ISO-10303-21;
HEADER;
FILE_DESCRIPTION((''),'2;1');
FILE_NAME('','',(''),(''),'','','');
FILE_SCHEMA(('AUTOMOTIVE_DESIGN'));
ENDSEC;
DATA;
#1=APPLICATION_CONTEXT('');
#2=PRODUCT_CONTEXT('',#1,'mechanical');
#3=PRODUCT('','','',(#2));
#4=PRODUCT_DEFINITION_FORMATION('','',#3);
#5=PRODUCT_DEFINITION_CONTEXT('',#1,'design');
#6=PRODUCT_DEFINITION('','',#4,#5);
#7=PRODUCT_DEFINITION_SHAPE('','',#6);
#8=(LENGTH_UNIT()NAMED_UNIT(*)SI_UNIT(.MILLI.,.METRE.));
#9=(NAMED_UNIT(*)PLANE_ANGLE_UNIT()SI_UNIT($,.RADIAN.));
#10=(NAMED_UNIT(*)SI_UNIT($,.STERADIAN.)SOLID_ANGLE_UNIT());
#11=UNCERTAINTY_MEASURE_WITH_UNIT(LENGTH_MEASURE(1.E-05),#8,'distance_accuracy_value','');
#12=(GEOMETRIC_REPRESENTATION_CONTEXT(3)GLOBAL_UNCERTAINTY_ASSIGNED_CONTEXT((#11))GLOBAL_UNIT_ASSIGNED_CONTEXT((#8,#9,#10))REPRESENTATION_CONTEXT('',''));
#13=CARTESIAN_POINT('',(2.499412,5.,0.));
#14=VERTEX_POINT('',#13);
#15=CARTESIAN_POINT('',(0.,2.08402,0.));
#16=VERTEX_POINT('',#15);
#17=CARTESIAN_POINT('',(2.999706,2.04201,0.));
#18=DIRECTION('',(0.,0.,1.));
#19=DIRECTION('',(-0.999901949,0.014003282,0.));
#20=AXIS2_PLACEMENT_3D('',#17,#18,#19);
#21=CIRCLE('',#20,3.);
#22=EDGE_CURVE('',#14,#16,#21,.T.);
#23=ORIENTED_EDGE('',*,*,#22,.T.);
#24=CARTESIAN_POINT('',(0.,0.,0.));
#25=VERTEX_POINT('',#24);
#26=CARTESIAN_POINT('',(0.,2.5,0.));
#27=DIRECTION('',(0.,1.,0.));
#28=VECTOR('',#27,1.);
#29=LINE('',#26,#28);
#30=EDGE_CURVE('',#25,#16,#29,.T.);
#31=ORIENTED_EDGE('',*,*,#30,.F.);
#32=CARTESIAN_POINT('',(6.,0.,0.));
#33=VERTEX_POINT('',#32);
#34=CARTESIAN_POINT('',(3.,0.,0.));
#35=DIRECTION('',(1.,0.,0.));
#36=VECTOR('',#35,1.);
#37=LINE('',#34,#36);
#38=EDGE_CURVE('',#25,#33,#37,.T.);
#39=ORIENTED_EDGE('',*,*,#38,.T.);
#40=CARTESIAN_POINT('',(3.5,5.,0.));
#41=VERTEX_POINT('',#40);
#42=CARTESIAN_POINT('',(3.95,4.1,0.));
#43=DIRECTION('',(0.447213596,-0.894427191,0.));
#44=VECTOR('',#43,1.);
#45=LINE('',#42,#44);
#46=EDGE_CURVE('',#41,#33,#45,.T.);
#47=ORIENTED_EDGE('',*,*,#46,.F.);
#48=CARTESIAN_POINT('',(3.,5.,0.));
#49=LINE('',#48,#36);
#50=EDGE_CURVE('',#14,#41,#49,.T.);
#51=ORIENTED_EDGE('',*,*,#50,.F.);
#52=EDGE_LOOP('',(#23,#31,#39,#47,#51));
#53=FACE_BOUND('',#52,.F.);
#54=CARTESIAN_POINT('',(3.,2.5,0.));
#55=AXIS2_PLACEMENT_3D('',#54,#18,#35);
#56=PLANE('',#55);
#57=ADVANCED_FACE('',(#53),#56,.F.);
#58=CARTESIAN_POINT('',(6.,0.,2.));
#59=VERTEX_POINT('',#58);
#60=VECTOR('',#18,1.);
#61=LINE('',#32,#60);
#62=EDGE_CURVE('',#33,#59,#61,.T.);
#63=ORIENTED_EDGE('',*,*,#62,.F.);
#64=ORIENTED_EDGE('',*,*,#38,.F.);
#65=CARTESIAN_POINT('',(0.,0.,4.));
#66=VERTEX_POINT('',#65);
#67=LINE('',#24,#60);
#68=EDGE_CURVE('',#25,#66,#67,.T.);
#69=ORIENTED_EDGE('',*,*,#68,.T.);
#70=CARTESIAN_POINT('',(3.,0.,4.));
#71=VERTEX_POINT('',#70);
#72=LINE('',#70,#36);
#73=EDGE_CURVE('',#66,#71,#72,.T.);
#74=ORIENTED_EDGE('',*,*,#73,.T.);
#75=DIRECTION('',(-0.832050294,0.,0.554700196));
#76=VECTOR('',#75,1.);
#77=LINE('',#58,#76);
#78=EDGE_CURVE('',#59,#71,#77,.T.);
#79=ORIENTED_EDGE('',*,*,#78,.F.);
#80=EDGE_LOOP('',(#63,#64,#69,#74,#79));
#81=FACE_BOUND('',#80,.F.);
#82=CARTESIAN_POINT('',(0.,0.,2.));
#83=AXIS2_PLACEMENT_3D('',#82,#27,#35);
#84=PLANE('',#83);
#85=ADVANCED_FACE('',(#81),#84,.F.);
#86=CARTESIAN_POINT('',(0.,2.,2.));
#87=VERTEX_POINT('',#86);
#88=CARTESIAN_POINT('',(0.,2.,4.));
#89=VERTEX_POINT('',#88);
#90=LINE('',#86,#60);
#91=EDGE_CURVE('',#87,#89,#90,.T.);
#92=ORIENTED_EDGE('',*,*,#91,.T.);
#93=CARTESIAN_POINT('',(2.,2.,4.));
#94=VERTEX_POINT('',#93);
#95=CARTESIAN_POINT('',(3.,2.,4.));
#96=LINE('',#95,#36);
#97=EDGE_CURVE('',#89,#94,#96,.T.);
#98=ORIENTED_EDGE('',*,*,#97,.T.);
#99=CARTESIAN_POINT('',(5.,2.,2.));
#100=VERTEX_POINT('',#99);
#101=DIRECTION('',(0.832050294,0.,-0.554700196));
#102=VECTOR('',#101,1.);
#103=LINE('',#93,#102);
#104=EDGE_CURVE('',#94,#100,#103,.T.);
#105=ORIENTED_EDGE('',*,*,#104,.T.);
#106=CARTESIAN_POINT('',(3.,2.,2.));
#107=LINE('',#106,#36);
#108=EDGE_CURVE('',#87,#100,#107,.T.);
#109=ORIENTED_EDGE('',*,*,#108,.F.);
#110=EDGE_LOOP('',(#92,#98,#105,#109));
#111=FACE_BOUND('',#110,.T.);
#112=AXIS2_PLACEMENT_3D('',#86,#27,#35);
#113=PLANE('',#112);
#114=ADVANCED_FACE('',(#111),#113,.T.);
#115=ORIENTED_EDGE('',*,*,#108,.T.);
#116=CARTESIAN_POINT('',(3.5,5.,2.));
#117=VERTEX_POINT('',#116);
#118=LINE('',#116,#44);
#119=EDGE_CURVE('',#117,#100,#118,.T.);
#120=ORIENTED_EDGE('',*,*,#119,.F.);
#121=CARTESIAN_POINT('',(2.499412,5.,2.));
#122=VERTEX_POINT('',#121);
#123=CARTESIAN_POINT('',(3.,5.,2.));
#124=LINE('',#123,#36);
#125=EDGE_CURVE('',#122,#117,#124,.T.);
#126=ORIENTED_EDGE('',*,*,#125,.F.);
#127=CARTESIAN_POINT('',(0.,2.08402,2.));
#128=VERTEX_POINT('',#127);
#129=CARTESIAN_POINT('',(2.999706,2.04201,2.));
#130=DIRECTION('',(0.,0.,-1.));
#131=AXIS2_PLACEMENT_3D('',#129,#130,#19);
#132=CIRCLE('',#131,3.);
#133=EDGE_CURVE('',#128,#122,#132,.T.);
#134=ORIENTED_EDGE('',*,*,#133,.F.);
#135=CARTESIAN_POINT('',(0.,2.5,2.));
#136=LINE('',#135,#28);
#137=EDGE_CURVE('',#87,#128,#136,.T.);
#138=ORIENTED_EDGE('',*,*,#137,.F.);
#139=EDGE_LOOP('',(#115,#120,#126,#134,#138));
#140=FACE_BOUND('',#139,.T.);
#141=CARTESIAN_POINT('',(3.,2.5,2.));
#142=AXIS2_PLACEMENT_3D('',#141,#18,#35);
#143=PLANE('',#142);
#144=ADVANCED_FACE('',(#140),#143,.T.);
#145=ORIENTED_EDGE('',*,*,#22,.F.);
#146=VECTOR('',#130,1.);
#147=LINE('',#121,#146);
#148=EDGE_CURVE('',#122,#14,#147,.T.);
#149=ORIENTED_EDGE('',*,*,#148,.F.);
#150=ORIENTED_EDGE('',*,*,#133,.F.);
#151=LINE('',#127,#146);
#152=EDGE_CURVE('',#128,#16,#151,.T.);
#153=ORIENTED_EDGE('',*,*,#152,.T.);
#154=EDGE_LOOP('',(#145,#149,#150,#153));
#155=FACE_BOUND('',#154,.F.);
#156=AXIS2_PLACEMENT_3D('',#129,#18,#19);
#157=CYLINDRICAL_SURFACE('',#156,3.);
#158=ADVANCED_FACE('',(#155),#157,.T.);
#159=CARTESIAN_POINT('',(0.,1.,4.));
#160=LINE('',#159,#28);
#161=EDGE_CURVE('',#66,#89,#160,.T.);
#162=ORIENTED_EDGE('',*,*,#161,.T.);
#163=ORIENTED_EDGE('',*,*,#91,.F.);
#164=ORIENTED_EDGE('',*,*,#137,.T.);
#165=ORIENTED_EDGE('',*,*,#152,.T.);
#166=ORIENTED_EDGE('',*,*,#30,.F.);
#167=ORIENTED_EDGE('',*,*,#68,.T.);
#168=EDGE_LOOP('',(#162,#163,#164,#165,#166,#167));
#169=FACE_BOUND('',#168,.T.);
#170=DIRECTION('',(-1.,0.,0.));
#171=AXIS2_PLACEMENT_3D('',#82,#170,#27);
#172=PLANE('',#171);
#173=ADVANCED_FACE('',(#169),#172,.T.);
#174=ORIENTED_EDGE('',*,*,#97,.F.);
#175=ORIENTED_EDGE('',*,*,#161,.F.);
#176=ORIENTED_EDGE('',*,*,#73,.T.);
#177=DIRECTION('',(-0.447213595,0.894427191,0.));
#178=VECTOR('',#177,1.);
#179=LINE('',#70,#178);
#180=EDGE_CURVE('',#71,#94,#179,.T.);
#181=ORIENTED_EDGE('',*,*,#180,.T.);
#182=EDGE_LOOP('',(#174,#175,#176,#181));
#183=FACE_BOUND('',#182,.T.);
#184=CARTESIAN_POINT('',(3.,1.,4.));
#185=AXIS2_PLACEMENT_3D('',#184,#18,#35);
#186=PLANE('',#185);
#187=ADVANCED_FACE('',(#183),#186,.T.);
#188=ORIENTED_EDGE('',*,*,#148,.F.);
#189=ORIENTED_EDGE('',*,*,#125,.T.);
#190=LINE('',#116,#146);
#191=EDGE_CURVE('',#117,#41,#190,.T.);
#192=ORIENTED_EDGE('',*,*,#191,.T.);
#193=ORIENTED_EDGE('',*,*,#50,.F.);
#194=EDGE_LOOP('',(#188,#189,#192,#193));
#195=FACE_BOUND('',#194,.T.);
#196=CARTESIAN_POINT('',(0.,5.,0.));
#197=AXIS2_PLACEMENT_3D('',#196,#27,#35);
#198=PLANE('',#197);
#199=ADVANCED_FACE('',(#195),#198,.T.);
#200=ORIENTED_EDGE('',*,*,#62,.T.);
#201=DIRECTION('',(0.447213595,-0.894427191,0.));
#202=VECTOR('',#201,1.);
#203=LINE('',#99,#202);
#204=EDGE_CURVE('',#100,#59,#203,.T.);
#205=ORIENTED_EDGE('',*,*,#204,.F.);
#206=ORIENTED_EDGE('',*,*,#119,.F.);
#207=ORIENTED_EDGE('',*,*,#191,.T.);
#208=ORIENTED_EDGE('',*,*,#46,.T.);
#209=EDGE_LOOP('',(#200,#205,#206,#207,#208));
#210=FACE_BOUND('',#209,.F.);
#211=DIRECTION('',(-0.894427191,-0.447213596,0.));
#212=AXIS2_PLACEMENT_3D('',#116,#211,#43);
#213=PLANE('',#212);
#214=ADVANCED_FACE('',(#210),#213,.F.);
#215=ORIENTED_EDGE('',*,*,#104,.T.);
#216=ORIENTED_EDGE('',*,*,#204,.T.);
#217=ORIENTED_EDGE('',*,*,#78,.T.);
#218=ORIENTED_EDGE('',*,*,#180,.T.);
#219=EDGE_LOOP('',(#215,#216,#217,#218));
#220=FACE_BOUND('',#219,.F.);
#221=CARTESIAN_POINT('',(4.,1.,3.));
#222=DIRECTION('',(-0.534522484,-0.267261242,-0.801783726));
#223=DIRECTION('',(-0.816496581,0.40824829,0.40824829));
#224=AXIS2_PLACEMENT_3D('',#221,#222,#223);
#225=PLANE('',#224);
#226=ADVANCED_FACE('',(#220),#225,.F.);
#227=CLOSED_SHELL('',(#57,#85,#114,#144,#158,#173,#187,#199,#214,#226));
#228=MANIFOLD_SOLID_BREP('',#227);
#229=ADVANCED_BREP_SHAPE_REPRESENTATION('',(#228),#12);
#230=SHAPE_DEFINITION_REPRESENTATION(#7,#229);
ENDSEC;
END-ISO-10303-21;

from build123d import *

# Parameters (mm, degrees)
SKETCH1_W           = 6
SKETCH1_H           = 5
BOSS_EXTRUDE1_DEPTH = 2
SKETCH2_W           = 6
SKETCH2_H           = 2
BOSS_EXTRUDE2_DEPTH = 2
CUT_EXTRUDE1_DEPTH  = 10
CUT_EXTRUDE2_DEPTH  = 10
CUT_EXTRUDE3_DEPTH  = 10


with BuildPart() as part:
    # Sketch1 → Boss-Extrude1 (new body)
    with BuildSketch(Plane.XY):
        with Locations((3, 2.5)):
            Rectangle(SKETCH1_W, SKETCH1_H)
    extrude(amount=BOSS_EXTRUDE1_DEPTH)

    # Sketch2 → Boss-Extrude2 (add)
    with BuildSketch(Plane.XY.offset(2)):
        with Locations((3, 1)):
            Rectangle(SKETCH2_W, SKETCH2_H)
    extrude(amount=BOSS_EXTRUDE2_DEPTH)

    # 3DSketch1 → Cut-Extrude1 (cut, along a direction that is not the sketch's normal)
    with BuildSketch(Plane(origin=(6, 0, 2), x_dir=(-0.816496580927726, 0.4082482904638629, 0.40824829046386285), z_dir=(-0.5345224838248487, -0.26726124191242434, -0.8017837257372732))):
        Polygon((0, 0), (3.265986324, -1.527525232), (4.898979486, 0), (1.632993162, 1.527525232), align=None)
    extrude(amount=-CUT_EXTRUDE1_DEPTH, dir=(-1, 0, 0), mode=Mode.SUBTRACT)

    # Sketch3 → Cut-Extrude2 (cut)
    with BuildSketch(Plane.XY.offset(2)):
        Polygon((6, 0), (5, 2), (3.5, 5), (6, 5), align=None)
    extrude(amount=-CUT_EXTRUDE2_DEPTH, mode=Mode.SUBTRACT)

    # Sketch4 → Cut-Extrude3 (cut)
    with BuildSketch(Plane.XY.offset(2)):
        with BuildLine():
            ThreePointArc((0, 2.084019689), (0.721936041, 3.994383965), (2.499411695, 5))
            Line((2.499411695, 5), (0, 5))
            Line((0, 5), (0, 2.084019689))
        make_face()
    extrude(amount=-CUT_EXTRUDE3_DEPTH, mode=Mode.SUBTRACT)


solid = part.part
